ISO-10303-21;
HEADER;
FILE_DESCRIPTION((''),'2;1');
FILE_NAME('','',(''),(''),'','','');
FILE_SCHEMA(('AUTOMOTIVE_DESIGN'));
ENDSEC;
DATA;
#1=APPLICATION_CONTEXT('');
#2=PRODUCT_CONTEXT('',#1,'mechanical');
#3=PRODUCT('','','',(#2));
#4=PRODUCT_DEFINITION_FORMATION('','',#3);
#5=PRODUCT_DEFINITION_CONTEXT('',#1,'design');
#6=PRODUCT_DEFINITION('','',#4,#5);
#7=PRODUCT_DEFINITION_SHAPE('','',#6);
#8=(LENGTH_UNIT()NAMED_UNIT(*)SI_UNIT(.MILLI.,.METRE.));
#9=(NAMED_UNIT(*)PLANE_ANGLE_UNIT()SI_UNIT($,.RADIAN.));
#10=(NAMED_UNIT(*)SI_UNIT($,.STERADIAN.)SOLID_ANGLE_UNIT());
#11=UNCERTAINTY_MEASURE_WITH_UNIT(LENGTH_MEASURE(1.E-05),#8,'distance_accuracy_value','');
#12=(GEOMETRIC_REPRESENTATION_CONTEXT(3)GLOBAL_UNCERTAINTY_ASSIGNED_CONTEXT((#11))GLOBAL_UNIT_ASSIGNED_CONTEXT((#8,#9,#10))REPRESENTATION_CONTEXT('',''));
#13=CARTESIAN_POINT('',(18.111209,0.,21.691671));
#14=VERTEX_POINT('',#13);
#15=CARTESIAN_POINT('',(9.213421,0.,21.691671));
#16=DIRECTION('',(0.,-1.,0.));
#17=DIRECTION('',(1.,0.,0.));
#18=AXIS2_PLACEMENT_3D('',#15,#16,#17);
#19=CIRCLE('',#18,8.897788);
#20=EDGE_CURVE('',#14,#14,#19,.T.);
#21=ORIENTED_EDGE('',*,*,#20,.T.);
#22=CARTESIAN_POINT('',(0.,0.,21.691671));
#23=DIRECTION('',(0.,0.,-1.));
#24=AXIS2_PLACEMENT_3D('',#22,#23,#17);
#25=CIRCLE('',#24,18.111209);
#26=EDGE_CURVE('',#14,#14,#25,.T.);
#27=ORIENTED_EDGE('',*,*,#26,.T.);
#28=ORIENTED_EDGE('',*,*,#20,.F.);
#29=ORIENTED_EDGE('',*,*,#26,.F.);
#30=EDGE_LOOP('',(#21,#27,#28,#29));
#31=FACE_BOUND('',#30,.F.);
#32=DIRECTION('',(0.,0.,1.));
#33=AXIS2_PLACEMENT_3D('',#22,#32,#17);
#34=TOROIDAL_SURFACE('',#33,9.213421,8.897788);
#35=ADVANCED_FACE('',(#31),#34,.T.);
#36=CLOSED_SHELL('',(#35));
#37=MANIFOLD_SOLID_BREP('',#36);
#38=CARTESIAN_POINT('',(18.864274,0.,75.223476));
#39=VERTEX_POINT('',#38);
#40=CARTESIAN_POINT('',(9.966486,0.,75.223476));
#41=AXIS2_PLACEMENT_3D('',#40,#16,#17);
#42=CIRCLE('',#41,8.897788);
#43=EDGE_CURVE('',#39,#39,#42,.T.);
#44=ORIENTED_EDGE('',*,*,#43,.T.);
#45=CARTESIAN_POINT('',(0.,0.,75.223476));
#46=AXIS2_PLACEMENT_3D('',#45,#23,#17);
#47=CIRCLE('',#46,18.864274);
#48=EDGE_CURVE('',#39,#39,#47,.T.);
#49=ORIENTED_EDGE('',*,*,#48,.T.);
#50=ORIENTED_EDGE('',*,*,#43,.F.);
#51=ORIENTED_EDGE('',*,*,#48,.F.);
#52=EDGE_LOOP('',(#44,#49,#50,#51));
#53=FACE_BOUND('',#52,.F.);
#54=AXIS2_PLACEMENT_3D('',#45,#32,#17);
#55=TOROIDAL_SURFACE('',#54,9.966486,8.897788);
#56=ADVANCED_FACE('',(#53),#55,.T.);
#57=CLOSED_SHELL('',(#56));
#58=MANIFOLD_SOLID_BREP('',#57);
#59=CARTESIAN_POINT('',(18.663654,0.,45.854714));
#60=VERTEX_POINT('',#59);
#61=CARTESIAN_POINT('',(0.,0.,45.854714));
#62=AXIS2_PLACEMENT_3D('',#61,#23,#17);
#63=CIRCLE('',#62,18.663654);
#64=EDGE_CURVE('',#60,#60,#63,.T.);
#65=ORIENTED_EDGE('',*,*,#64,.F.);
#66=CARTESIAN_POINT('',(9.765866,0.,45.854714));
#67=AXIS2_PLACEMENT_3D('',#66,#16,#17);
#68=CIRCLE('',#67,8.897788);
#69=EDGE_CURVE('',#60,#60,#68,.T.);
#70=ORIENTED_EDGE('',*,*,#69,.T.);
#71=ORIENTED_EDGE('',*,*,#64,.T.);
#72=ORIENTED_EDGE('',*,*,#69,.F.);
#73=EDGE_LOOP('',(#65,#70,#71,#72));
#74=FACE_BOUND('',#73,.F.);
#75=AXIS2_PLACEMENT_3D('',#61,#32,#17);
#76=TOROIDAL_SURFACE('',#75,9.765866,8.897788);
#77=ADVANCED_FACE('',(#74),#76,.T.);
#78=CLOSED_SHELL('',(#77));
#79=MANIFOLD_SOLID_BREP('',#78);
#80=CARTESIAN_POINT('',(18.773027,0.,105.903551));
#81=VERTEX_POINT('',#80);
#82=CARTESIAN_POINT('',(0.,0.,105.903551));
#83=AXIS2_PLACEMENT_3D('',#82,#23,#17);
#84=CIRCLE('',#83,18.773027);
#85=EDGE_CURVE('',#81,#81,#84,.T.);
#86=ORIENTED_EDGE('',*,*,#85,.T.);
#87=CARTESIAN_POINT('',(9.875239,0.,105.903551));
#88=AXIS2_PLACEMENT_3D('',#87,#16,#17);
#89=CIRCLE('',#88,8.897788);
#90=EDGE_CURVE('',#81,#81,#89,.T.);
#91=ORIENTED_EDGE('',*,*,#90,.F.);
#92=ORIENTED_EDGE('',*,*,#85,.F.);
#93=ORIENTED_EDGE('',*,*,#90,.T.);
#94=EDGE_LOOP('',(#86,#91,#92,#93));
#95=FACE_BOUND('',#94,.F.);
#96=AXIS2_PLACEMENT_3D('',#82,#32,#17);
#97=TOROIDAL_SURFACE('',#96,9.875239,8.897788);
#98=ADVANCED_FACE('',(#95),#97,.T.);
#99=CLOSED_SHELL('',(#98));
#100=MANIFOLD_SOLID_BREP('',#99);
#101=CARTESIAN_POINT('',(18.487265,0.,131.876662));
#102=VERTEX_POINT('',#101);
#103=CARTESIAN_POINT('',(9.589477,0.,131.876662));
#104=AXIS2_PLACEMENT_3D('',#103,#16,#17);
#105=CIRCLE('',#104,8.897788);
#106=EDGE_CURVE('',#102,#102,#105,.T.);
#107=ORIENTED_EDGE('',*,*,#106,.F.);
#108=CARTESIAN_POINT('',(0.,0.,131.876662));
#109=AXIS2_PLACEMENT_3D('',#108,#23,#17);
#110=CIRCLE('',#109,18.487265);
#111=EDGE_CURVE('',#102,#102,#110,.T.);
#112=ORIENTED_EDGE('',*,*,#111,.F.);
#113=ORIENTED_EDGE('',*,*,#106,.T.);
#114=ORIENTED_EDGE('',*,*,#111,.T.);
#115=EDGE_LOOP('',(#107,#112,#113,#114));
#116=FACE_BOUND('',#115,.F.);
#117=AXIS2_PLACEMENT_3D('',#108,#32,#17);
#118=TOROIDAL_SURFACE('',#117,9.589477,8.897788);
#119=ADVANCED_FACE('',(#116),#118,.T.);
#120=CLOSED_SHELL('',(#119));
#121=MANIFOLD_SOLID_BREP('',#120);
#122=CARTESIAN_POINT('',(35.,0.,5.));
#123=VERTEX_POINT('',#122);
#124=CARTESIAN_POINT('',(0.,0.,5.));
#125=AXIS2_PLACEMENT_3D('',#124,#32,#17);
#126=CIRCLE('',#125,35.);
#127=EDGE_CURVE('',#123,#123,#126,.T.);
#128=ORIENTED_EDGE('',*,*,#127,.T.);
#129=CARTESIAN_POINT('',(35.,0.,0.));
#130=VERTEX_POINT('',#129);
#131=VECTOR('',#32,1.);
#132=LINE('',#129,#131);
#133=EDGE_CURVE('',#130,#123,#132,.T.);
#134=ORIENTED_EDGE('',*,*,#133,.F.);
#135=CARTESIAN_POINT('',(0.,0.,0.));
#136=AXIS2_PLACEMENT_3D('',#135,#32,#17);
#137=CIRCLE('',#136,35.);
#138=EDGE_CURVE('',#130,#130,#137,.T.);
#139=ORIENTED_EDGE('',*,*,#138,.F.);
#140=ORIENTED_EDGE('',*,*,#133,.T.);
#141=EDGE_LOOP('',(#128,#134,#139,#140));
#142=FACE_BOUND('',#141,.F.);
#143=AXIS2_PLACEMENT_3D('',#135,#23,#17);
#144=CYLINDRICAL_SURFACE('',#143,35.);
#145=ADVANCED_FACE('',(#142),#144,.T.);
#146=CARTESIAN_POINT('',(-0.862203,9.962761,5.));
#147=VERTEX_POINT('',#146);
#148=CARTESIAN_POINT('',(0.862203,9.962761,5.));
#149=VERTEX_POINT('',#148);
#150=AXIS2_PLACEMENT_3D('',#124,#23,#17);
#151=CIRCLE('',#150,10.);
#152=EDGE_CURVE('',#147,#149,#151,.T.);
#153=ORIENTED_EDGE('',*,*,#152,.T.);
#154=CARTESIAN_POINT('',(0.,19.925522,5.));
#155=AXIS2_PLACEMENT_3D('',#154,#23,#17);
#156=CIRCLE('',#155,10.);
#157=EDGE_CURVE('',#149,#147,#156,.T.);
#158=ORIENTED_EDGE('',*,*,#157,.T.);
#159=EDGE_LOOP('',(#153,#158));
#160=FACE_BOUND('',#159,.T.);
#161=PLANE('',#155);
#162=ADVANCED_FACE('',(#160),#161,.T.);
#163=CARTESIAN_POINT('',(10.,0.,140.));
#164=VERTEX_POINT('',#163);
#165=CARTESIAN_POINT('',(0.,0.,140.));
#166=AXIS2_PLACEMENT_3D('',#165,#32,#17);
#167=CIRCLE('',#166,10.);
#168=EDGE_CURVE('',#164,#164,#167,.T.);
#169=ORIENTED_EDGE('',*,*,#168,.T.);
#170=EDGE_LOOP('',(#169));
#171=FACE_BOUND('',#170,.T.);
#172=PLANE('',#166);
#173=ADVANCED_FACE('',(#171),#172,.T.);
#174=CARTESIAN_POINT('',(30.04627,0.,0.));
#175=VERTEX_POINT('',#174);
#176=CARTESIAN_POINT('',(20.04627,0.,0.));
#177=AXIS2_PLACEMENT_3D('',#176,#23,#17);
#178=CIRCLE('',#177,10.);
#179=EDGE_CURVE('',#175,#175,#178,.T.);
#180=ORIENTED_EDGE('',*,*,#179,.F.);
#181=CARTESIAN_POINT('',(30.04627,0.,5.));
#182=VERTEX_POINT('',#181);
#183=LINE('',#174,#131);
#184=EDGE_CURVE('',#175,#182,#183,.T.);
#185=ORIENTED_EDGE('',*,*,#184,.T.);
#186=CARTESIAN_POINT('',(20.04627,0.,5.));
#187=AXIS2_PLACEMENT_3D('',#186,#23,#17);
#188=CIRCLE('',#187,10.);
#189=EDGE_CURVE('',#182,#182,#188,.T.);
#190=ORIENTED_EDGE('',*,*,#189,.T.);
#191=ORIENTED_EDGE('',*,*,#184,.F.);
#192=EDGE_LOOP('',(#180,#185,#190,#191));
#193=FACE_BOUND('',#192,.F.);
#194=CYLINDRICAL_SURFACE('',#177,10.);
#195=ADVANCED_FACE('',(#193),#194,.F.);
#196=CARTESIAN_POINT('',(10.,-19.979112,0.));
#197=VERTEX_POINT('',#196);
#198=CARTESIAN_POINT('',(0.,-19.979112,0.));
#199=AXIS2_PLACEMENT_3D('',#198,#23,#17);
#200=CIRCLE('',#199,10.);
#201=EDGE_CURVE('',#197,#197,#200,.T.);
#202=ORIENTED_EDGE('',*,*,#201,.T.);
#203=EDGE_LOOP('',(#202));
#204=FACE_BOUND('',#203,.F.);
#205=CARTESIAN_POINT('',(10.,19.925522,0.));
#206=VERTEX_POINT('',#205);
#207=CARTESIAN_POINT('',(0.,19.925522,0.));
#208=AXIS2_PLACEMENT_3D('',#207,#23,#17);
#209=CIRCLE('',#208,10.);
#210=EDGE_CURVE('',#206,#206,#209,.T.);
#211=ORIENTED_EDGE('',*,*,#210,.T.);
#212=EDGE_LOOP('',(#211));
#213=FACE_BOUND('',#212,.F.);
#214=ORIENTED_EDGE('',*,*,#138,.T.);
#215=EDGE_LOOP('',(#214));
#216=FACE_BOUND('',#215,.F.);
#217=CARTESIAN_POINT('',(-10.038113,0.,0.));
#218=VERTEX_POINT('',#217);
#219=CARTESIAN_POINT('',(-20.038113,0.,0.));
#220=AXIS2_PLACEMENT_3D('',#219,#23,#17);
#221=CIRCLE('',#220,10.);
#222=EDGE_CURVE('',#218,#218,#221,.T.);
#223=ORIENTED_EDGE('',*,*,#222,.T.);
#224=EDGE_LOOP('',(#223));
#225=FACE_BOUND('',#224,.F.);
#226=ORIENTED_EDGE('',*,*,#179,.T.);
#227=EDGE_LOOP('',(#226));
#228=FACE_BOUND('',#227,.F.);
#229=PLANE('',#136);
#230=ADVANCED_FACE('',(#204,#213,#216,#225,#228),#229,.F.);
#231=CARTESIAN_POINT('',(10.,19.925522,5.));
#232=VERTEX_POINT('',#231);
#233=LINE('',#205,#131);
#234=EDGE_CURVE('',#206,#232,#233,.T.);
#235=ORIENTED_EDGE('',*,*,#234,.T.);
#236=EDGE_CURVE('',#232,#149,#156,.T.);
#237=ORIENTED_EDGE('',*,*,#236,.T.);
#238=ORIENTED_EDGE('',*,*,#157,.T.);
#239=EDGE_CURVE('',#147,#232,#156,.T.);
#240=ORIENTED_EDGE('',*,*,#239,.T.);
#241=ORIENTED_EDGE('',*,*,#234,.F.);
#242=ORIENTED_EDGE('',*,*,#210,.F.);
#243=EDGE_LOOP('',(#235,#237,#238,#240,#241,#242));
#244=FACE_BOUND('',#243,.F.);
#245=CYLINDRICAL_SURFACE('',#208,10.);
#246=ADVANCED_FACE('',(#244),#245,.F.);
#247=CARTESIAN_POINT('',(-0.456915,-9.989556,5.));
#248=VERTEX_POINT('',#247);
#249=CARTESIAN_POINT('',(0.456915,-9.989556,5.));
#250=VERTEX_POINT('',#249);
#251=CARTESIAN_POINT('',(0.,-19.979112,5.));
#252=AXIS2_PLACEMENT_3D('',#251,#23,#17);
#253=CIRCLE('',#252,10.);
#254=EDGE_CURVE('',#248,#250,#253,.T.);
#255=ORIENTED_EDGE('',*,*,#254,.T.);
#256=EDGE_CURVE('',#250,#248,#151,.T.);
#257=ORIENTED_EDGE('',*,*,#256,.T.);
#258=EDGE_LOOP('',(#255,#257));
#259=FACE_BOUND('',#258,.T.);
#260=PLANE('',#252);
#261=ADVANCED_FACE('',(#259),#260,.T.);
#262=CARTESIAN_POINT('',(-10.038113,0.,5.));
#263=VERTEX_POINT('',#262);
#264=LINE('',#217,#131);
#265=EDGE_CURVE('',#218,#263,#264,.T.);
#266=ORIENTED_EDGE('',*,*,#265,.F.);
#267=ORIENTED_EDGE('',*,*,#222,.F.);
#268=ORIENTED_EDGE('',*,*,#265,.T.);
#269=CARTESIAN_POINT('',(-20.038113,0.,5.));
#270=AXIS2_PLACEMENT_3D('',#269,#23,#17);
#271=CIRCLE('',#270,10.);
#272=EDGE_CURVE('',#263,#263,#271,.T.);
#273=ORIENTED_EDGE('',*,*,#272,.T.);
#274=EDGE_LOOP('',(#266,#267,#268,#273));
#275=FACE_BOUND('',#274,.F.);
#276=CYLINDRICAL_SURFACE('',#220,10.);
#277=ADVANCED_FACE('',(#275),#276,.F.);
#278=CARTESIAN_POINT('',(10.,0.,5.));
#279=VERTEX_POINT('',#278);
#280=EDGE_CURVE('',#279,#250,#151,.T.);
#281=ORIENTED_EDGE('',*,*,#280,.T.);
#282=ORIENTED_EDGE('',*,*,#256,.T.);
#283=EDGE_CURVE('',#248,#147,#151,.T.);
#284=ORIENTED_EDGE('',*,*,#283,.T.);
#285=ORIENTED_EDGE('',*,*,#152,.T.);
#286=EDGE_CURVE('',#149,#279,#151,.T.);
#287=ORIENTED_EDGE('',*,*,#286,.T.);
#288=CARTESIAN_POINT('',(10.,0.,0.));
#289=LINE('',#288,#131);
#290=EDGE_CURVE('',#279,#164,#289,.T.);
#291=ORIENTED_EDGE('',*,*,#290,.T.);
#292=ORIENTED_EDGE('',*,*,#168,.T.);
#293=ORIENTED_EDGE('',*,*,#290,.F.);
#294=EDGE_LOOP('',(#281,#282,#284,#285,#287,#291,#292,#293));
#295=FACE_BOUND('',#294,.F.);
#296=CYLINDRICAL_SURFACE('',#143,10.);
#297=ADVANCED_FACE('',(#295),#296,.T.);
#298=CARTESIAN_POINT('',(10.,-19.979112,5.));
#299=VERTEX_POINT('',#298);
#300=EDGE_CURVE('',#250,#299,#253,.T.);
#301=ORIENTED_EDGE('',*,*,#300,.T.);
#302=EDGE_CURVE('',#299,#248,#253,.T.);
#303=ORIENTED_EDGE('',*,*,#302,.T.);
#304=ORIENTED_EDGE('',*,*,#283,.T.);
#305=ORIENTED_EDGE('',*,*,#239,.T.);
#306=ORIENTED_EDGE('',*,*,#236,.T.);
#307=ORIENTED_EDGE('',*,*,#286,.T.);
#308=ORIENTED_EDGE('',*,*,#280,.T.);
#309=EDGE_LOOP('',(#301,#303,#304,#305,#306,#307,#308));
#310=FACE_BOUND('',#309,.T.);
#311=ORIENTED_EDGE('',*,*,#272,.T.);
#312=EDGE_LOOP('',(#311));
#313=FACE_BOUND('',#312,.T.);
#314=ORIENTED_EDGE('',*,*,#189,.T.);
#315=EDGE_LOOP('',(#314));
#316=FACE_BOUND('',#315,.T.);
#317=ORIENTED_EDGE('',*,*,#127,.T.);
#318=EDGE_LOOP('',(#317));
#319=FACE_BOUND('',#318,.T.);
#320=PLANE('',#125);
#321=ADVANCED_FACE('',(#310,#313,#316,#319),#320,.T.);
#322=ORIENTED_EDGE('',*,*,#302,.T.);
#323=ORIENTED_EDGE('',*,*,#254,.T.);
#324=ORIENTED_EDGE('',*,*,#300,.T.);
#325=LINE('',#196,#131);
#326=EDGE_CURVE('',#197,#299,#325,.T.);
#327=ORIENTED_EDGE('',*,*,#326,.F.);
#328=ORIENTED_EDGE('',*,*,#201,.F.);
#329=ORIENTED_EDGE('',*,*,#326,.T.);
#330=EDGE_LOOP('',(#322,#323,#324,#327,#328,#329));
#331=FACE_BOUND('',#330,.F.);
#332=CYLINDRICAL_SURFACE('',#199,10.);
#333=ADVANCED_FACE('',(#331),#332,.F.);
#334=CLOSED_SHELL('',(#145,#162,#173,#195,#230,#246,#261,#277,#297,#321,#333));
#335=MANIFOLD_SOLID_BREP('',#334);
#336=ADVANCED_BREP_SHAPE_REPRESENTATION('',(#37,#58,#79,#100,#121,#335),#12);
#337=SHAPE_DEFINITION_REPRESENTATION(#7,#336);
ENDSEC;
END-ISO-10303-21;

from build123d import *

# Parameters (mm, degrees)
F0_R     = 10
F1_DEPTH = 140
F2_R     = 35
F3_DEPTH = 5
F5_R     = 10
F6_DEPTH = 5
F7_R     = 8.897788


with BuildPart() as f1:
    # F0 (on Top) → F1 (new body)
    with BuildSketch(Plane.XY):
        Circle(F0_R)
    extrude(amount=F1_DEPTH)

    # F2 (on Top) → F3 (join)
    with BuildSketch(Plane.XY):
        Circle(F2_R)
    extrude(amount=F3_DEPTH)

    # F5 (on face) → F6 (cut)
    with BuildSketch(Plane(origin=(0, 0, 0), x_dir=(1, 0, 0), z_dir=(0, 0, -1))):
        with Locations((0, 19.979112)):
            Circle(F5_R)
        with Locations((20.04627, 0)):
            Circle(F5_R)
        with Locations((0, -19.925522)):
            Circle(F5_R)
        with Locations((-20.038113, 0)):
            Circle(F5_R)
    extrude(amount=-F6_DEPTH, mode=Mode.SUBTRACT)


with BuildPart() as f8:
    # F7 (on Front) → F8 (revolve)
    with BuildSketch(Plane.XZ):
        with Locations((9.875239, 105.903551)):
            Circle(F7_R)
        with Locations((9.966486, 75.223476)):
            Circle(F7_R)
        with Locations((9.765866, 45.854714)):
            Circle(F7_R)
        with Locations((9.213421, 21.691671)):
            Circle(F7_R)
        with Locations((9.589477, 131.876662)):
            Circle(F7_R)
    revolve(axis=Axis((0, 0, 0), (0, 0, -1)))


solid = Compound([f1.part, f8.part])
